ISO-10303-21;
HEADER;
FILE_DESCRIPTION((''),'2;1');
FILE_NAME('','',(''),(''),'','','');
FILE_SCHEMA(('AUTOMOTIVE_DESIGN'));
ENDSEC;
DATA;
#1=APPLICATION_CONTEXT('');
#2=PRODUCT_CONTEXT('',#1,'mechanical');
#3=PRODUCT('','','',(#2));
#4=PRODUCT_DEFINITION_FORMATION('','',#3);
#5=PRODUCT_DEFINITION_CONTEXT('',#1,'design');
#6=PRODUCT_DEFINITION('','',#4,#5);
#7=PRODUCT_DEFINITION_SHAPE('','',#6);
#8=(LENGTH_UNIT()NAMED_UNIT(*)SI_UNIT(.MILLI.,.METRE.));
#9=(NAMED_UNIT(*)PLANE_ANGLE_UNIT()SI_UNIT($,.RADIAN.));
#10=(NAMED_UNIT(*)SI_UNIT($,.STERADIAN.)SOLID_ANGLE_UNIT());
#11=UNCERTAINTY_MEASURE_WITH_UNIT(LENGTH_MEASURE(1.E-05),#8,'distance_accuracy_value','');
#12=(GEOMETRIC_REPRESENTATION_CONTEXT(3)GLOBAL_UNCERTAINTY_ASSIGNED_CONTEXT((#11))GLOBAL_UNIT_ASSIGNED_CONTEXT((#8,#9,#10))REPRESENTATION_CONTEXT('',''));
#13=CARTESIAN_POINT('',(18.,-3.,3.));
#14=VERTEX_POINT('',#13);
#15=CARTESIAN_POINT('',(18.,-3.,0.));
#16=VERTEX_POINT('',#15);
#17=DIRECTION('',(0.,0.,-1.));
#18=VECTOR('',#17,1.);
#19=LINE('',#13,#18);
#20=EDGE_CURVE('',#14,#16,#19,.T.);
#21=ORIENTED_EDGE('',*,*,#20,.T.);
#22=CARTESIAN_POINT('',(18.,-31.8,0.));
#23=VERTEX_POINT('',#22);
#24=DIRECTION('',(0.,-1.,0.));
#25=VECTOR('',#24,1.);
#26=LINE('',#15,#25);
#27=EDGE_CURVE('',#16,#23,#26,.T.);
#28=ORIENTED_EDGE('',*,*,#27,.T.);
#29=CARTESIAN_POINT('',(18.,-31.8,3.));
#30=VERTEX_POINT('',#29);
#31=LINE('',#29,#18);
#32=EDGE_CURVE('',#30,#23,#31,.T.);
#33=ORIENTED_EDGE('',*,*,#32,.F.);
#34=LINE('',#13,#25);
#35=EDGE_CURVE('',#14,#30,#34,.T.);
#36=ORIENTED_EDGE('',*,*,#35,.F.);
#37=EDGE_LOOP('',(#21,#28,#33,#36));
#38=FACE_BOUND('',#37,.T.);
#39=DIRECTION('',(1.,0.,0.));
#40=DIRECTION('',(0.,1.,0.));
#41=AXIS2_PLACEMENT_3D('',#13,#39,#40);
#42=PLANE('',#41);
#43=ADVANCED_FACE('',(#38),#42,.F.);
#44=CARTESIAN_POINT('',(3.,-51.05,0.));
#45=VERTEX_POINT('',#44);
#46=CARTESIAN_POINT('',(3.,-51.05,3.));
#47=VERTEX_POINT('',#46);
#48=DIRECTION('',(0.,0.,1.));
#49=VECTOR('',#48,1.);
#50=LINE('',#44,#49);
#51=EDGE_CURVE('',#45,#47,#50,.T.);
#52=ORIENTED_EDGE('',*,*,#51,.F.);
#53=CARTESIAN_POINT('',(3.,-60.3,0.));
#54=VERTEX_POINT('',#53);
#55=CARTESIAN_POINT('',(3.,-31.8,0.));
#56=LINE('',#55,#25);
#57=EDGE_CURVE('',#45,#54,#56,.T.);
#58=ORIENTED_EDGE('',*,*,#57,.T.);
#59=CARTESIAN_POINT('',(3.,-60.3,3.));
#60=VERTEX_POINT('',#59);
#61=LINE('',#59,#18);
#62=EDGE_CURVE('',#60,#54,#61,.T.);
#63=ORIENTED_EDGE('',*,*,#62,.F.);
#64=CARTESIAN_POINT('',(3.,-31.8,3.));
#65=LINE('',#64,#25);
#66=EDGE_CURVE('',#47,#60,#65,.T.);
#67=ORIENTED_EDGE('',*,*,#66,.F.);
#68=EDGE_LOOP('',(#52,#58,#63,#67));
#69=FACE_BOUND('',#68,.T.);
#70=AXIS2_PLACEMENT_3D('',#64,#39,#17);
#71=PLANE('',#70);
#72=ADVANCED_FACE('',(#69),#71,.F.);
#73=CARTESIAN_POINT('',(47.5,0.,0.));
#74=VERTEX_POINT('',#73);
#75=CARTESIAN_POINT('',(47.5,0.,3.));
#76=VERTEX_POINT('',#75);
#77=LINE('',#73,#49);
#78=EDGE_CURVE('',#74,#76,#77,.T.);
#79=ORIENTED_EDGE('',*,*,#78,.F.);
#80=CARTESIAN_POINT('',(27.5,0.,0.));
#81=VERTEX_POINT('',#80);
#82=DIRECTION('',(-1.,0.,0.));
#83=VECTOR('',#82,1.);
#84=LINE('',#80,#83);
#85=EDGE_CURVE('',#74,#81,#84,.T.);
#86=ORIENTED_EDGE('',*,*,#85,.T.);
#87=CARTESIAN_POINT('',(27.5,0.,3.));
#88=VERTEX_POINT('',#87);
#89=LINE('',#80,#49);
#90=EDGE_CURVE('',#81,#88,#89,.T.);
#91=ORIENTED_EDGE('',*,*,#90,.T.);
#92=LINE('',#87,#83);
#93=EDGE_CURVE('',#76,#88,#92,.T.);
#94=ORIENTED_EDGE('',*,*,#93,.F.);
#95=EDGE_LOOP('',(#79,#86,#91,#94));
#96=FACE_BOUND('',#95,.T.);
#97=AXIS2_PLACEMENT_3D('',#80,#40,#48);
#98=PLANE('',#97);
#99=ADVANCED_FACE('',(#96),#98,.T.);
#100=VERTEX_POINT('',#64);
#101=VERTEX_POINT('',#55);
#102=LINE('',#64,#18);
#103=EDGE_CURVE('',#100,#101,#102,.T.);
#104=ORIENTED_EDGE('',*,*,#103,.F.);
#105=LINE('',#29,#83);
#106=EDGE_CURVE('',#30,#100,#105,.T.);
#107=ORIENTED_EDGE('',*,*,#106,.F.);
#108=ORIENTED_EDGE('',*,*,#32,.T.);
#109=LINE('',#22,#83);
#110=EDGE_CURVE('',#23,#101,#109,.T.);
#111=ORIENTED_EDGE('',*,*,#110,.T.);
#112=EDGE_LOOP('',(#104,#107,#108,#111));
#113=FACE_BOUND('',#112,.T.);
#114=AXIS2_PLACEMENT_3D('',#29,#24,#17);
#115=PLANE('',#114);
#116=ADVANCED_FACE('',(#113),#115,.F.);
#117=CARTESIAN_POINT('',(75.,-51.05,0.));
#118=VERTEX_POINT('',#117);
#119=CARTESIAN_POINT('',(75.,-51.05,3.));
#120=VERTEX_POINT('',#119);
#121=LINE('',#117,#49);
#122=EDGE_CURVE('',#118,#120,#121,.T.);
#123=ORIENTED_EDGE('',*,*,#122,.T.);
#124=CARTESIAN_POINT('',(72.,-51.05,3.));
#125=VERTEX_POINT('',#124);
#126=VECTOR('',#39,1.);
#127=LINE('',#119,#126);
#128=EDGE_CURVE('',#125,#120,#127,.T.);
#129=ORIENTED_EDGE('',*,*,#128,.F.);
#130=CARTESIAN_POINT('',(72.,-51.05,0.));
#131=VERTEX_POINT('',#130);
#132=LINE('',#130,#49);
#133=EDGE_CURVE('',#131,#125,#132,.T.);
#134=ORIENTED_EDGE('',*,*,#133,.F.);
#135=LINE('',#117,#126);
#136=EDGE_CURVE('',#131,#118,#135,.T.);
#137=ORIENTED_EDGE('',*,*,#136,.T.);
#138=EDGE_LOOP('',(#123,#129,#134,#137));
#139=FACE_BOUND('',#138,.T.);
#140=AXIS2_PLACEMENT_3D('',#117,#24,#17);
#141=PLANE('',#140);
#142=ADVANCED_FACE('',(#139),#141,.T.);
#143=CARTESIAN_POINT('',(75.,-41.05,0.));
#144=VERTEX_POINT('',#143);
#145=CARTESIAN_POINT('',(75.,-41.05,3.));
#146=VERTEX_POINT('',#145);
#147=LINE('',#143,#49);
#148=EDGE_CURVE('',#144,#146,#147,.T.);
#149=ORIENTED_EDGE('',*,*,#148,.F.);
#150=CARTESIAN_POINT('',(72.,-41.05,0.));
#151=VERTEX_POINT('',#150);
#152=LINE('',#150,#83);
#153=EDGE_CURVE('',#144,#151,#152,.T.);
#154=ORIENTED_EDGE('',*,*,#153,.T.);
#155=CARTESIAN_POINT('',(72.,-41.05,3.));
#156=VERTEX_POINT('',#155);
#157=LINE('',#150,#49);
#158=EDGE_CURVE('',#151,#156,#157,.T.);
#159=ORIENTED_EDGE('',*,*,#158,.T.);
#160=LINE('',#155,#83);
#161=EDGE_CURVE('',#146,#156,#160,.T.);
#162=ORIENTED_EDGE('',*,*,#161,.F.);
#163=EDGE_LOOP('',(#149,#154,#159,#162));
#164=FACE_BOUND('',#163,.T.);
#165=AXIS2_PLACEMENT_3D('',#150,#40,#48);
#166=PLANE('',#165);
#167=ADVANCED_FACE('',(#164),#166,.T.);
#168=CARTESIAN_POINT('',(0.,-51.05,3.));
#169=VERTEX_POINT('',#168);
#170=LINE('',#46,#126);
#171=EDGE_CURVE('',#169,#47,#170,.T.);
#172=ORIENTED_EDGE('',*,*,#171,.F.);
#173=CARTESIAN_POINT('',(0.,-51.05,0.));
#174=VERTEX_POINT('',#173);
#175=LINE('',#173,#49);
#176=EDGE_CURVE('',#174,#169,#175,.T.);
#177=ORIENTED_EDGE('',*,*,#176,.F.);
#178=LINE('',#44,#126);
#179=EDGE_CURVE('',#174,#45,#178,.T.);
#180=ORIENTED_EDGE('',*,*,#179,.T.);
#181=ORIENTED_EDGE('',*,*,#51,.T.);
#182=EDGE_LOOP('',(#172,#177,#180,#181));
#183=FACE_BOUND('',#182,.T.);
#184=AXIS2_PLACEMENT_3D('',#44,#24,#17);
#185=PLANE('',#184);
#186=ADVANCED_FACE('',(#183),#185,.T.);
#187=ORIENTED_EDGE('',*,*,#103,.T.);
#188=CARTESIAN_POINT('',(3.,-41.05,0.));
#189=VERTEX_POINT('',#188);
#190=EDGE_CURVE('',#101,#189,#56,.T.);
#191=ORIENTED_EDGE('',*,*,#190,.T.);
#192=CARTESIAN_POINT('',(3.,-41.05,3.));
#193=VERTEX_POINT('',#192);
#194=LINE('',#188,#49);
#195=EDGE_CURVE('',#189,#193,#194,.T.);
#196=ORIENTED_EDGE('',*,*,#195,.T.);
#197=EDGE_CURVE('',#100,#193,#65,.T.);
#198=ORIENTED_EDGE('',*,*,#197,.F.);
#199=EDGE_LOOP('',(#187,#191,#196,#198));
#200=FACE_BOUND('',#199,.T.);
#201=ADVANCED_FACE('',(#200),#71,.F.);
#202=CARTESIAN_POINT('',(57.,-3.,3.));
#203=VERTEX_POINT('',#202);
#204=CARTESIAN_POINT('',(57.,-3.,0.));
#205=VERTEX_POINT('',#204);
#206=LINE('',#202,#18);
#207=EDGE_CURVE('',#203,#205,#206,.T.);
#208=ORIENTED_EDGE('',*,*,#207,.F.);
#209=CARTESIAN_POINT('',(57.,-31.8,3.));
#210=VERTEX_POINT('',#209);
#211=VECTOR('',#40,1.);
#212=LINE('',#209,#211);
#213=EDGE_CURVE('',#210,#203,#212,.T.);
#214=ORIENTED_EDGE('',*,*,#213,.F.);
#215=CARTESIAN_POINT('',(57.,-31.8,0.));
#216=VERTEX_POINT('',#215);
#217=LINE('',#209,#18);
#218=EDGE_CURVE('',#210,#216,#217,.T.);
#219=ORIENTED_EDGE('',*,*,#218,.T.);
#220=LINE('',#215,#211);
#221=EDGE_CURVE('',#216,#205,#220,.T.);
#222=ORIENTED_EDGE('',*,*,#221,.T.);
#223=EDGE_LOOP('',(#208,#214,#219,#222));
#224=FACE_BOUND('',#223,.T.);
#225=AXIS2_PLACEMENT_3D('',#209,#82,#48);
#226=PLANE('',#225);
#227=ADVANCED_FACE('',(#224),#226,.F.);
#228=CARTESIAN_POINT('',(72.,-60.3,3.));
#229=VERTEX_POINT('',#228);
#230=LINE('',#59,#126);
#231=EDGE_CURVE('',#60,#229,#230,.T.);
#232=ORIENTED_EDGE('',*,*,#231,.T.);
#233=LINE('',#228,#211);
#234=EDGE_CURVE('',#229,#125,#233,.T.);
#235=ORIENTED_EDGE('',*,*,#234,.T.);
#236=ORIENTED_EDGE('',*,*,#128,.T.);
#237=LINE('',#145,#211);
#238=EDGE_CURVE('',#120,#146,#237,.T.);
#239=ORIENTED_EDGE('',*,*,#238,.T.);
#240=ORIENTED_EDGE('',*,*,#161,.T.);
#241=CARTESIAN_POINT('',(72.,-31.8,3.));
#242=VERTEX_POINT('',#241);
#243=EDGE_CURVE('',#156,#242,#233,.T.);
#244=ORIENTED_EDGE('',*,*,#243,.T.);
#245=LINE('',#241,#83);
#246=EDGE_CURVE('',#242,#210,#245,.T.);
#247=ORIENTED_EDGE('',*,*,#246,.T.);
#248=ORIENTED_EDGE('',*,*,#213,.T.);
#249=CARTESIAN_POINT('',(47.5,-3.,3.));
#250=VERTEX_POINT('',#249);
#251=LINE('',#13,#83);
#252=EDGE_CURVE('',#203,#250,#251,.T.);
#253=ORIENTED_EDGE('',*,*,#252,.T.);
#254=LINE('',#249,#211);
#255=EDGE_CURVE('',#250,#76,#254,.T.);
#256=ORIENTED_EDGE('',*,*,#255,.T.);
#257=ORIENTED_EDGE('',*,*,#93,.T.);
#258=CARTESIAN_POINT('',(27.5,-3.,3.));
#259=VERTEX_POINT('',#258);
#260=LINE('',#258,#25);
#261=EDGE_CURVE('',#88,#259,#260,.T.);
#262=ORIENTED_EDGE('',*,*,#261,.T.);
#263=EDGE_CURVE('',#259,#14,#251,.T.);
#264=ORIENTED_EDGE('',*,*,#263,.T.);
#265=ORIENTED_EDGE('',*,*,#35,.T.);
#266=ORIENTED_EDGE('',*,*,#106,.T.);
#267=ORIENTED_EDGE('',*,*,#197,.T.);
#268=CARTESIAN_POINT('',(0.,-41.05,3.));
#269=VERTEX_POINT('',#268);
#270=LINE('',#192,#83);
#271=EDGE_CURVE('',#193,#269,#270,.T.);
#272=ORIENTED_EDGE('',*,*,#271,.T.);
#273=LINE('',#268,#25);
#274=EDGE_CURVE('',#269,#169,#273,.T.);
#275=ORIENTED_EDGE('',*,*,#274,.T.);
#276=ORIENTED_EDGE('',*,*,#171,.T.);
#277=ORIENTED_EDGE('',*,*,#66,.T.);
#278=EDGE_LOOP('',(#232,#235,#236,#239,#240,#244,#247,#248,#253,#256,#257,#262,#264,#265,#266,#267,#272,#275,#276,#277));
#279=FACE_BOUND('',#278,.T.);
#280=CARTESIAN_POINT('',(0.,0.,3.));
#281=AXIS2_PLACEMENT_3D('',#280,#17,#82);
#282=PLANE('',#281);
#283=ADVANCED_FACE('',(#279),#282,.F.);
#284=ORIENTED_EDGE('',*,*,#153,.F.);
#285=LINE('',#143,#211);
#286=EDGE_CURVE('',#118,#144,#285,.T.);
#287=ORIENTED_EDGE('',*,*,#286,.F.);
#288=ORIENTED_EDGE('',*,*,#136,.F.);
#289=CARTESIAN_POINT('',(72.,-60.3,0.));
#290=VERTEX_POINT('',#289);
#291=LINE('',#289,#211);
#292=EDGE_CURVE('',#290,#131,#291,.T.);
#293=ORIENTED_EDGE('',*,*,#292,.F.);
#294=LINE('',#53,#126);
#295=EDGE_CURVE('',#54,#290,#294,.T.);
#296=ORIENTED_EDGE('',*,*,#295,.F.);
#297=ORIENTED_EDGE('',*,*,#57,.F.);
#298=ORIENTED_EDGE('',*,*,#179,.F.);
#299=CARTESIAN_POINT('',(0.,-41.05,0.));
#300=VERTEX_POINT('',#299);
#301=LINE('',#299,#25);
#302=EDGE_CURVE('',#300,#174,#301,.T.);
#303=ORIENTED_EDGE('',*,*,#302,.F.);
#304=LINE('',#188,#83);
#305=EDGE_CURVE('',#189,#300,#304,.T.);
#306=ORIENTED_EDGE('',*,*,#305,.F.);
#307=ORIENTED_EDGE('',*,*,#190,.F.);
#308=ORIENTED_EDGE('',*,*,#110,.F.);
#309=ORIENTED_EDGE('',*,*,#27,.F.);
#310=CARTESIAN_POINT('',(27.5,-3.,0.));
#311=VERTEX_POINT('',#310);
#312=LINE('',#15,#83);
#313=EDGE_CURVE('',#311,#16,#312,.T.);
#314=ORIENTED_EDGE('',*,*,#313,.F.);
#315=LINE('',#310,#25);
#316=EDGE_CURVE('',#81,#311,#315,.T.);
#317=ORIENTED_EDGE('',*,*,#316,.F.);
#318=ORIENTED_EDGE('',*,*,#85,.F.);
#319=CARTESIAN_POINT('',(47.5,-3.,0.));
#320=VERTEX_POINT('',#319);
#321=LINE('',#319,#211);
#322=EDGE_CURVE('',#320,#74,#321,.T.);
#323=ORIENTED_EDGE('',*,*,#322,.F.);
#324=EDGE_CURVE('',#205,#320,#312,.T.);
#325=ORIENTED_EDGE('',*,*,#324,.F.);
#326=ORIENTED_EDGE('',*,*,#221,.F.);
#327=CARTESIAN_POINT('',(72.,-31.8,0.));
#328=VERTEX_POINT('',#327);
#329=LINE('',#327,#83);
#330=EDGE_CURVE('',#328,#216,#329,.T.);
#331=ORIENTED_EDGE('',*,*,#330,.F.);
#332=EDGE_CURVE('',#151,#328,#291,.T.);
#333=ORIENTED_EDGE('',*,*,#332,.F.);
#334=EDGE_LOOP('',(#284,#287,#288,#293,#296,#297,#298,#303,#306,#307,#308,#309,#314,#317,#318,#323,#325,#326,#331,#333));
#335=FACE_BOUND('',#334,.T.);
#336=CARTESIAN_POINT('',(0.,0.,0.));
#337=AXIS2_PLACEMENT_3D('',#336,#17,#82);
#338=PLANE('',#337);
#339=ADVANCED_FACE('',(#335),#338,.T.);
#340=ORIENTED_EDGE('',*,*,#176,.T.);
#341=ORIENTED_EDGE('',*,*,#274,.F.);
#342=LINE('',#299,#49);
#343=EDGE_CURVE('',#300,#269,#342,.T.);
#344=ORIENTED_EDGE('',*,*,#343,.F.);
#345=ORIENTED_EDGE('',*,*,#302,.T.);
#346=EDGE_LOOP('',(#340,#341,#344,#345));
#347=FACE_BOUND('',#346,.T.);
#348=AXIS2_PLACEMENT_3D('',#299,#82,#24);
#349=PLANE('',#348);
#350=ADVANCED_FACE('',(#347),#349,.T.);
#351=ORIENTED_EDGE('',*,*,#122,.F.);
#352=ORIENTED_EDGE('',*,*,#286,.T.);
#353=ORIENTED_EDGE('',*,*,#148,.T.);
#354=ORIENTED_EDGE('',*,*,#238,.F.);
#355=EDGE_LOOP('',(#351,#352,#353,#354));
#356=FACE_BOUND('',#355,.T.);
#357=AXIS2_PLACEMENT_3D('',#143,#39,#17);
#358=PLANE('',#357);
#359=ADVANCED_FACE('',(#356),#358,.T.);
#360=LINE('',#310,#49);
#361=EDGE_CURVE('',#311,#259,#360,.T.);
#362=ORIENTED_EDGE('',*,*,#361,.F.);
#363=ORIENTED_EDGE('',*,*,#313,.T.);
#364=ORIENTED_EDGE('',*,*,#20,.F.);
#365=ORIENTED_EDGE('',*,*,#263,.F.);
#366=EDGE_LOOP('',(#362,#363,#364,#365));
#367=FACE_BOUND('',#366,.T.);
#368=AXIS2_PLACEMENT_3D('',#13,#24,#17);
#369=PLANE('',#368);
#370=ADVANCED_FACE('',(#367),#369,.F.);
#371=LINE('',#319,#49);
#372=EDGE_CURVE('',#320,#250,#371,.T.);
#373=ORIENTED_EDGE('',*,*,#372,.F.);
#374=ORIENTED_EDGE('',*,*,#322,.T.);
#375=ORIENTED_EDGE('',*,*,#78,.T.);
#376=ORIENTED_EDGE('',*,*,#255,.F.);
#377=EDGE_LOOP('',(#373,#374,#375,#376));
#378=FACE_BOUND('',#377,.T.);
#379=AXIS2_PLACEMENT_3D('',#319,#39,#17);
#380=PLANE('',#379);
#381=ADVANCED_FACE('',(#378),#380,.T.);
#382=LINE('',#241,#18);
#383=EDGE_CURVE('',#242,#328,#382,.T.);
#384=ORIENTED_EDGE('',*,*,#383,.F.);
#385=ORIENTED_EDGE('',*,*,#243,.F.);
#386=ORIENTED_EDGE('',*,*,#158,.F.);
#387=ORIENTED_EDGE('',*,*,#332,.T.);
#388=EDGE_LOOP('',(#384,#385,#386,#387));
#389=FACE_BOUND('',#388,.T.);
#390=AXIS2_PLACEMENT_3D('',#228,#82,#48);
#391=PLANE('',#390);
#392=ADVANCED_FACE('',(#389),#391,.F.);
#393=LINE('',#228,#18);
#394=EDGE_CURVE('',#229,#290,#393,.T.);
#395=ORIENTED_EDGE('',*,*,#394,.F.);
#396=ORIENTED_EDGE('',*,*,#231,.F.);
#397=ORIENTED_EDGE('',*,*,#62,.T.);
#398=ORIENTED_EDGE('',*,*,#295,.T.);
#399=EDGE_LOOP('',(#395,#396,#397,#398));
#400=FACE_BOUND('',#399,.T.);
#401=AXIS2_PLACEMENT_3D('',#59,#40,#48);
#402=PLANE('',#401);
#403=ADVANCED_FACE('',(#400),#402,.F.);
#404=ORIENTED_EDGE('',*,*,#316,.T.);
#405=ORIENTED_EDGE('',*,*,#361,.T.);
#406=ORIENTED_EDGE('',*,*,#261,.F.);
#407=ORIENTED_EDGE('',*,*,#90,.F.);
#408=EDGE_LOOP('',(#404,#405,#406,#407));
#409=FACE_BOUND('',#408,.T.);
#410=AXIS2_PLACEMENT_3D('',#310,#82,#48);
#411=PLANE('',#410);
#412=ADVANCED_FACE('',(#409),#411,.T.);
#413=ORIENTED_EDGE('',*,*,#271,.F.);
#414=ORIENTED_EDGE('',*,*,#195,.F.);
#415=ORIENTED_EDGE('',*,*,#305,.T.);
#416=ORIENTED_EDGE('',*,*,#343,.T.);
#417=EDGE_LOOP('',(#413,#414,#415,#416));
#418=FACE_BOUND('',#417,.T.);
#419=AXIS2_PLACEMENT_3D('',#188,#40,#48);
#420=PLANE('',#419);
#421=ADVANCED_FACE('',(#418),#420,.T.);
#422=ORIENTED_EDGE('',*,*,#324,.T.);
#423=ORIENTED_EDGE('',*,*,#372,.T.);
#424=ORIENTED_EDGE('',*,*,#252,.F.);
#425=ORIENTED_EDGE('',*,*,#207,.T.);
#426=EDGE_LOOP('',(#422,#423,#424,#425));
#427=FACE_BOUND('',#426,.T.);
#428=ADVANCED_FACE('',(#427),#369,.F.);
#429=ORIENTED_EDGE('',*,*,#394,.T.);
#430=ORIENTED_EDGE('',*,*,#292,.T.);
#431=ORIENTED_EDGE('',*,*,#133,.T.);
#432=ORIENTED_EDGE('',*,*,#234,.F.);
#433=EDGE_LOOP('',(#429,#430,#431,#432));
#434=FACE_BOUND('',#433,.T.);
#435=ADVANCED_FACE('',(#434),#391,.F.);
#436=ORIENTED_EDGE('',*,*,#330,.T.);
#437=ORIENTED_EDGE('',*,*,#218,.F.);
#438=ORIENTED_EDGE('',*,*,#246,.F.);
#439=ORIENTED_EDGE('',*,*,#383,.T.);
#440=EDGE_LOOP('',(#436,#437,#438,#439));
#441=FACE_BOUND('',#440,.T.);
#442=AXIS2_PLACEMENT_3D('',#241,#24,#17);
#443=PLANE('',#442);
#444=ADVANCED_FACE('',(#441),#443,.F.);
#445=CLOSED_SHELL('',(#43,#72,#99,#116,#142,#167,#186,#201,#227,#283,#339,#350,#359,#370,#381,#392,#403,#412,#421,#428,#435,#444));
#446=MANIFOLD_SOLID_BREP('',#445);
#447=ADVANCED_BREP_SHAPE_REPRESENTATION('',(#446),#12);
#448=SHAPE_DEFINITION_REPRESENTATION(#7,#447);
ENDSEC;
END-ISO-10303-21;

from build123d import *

# Parameters (mm, degrees)
SALIENTE_EXTRUIR1_DEPTH = 3
CROQUIS2_W              = 3
CROQUIS2_H              = 10
CROQUIS2_W_2            = 20
CROQUIS2_H_2            = 3
SALIENTE_EXTRUIR2_DEPTH = 3


with BuildPart() as part:
    # Croquis1 → Saliente-Extruir1 (new body)
    with BuildSketch(Plane.XY):
        Polygon((18, -3), (57, -3), (57, -31.8), (72, -31.8), (72, -60.3), (3, -60.3), (3, -31.8), (18, -31.8), align=None)
    extrude(amount=SALIENTE_EXTRUIR1_DEPTH)

    # Croquis2 → Saliente-Extruir2 (add)
    with BuildSketch(Plane.XY.offset(3)):
        with Locations((73.5, -46.05)):
            Rectangle(CROQUIS2_W, CROQUIS2_H)
        with Locations((1.5, -46.05)):
            Rectangle(CROQUIS2_W, CROQUIS2_H)
        with Locations((37.5, -1.5)):
            Rectangle(CROQUIS2_W_2, CROQUIS2_H_2)
    extrude(amount=-SALIENTE_EXTRUIR2_DEPTH)


solid = part.part
